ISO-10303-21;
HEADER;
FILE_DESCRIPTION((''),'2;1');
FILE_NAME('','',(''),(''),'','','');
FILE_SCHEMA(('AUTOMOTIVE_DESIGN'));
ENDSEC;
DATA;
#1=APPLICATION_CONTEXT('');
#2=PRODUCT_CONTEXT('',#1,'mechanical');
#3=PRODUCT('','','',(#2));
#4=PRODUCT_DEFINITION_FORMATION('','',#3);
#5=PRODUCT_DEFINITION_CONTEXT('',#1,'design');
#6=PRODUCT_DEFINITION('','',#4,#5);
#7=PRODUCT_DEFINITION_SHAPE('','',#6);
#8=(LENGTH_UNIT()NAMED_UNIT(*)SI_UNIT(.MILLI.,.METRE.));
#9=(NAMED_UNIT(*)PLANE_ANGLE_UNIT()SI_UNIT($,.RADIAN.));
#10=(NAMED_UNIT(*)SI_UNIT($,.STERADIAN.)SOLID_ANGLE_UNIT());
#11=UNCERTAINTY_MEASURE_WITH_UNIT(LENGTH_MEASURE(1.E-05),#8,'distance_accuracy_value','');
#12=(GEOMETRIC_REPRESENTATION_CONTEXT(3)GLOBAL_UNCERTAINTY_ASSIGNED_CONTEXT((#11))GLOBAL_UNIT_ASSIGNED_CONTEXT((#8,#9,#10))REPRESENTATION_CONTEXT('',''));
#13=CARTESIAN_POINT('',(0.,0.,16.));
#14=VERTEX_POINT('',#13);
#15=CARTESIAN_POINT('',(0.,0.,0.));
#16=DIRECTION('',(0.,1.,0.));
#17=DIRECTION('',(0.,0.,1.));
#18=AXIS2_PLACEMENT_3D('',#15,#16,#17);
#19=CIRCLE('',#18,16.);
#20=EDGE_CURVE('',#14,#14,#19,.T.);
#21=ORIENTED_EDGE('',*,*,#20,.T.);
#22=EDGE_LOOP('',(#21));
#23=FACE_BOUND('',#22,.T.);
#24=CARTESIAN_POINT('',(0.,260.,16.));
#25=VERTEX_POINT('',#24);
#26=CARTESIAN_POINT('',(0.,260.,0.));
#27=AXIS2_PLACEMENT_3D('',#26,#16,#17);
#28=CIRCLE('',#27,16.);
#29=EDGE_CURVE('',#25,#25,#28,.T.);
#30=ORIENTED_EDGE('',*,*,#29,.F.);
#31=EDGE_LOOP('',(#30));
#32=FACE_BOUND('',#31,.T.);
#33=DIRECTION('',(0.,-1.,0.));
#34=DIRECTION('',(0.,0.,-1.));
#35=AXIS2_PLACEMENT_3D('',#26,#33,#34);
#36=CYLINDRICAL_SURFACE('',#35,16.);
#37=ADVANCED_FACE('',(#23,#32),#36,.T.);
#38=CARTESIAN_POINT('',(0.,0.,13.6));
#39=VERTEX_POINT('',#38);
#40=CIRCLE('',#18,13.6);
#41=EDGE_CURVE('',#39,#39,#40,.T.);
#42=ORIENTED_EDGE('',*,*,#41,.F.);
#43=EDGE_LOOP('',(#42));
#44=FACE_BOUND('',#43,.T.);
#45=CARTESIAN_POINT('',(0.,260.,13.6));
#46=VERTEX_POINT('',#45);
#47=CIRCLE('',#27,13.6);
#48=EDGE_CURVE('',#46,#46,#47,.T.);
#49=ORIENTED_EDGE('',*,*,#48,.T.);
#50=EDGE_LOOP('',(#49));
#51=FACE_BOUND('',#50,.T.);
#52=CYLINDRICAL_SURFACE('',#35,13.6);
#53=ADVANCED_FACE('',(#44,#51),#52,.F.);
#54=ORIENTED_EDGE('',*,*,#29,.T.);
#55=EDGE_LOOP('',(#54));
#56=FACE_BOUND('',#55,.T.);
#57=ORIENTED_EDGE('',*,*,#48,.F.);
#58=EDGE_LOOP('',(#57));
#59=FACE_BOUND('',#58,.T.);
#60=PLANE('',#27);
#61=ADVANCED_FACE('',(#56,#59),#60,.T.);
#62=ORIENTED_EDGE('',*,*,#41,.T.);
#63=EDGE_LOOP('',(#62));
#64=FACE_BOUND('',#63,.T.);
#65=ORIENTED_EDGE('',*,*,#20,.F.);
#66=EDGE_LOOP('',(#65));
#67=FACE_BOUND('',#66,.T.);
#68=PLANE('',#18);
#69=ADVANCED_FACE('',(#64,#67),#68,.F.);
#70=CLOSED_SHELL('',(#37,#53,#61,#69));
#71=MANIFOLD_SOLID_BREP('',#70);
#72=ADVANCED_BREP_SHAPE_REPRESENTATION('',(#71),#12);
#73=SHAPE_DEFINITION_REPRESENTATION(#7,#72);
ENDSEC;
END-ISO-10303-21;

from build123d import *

# Parameters (mm, degrees)
SKETCH_1_R      = 16
SKETCH_1_R_2    = 13.6
EXTRUDE_1_DEPTH = 260


with BuildPart() as part:
    # 草图1 → 凸台-拉伸1 (new body)
    with BuildSketch(Plane(origin=(0, 0, 0), x_dir=(1, 0, 0), z_dir=(0, 1, 0))):
        with Locations(Location((0, 0, 0), (0, 0, 270))):
            Circle(SKETCH_1_R)
        with Locations(Location((0, 0, 0), (0, 0, 270))):
            Circle(SKETCH_1_R_2, mode=Mode.SUBTRACT)
    extrude(amount=EXTRUDE_1_DEPTH)


solid = part.part
